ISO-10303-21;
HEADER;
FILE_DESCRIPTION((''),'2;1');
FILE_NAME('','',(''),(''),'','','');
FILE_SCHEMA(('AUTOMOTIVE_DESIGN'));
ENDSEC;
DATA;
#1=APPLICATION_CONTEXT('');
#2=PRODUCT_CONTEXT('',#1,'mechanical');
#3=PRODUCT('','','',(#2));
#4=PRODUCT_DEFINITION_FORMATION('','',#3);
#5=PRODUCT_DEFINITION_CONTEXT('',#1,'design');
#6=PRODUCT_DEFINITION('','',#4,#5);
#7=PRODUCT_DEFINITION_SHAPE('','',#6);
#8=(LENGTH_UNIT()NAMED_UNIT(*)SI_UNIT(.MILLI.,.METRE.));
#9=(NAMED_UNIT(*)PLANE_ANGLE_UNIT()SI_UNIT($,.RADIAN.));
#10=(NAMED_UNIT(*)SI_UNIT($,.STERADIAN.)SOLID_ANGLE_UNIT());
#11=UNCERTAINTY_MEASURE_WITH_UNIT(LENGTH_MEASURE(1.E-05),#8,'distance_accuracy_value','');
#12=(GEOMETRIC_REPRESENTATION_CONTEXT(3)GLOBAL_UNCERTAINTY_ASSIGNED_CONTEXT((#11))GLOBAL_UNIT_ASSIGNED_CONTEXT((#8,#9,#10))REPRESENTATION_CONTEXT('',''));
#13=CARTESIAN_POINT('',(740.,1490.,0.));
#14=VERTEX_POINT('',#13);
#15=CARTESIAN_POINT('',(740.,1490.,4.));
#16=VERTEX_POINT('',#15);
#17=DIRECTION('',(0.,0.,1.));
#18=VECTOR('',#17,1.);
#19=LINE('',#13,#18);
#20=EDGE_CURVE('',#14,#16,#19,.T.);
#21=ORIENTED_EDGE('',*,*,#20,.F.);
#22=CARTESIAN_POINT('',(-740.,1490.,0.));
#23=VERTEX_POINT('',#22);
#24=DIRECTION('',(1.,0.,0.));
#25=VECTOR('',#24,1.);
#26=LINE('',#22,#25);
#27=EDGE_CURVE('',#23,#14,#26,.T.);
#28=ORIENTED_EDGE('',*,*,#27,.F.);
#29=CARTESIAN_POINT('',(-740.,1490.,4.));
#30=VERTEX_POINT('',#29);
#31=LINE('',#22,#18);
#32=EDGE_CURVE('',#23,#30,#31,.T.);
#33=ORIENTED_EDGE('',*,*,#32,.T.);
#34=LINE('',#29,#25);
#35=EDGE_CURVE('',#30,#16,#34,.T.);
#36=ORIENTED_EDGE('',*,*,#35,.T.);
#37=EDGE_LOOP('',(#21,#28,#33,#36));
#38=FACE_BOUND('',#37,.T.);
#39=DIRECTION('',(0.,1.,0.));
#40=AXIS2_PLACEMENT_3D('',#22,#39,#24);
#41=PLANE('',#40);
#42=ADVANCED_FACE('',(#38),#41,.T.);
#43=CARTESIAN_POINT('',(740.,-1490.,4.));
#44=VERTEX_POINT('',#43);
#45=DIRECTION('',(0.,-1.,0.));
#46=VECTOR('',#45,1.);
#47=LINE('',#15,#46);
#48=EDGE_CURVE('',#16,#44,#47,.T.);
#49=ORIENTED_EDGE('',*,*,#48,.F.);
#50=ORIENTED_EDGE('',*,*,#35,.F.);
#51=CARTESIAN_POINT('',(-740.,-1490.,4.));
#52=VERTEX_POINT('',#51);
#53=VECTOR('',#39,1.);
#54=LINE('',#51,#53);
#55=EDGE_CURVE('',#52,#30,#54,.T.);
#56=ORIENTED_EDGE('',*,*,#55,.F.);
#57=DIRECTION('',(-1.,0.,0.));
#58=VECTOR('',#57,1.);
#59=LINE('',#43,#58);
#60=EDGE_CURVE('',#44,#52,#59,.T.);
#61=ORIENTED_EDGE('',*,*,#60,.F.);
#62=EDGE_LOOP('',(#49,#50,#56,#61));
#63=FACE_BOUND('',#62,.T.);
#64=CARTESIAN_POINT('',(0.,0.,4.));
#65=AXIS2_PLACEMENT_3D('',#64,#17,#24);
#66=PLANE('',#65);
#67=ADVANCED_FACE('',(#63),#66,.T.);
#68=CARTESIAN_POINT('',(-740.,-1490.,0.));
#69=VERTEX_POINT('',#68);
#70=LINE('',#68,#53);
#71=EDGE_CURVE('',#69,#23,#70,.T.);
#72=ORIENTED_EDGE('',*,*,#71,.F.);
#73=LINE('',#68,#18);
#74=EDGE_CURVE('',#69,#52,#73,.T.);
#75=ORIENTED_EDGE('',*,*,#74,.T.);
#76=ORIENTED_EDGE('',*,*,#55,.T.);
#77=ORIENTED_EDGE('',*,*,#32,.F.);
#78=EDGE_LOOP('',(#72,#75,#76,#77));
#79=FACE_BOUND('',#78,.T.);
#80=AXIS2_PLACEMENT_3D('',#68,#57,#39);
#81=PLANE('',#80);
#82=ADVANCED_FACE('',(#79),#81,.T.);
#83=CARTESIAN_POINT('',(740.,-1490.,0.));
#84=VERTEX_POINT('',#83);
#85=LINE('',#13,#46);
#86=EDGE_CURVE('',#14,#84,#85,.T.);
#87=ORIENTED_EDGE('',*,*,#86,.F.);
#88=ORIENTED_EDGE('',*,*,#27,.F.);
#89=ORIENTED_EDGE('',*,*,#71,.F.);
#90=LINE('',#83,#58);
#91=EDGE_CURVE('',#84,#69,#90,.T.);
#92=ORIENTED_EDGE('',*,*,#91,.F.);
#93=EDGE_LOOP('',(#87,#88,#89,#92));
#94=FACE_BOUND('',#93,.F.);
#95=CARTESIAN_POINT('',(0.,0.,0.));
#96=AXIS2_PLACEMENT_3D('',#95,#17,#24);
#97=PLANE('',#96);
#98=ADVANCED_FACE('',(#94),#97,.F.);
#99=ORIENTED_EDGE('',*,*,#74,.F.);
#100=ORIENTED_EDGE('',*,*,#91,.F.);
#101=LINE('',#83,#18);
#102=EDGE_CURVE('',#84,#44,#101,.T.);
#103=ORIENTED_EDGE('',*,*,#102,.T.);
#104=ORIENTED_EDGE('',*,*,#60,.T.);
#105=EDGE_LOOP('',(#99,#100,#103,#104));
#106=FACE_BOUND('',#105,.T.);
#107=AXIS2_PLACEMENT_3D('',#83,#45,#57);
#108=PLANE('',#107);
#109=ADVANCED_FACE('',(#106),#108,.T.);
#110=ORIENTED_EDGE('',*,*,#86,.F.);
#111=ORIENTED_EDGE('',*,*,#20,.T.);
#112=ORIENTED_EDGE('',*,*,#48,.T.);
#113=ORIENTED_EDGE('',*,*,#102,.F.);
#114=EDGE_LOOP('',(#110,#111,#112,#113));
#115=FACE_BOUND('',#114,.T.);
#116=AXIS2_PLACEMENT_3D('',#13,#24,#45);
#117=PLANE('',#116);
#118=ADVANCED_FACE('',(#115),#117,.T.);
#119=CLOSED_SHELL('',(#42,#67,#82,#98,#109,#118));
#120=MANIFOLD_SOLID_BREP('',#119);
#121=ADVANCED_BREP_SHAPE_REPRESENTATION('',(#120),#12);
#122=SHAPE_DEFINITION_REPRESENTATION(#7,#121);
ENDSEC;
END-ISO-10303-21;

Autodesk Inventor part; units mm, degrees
ref_plane "YZ Plane" through (0, 0, 0) normal (1, 0, 0) x (0, 1, 0)
ref_plane "XZ Plane" through (0, 0, 0) normal (0, 1, 0) x (-1, 0, 0)
ref_plane "XY Plane" through (0, 0, 0) normal (0, 0, 1) x (1, 0, 0)
sketch "Sketch1" plane through (0, 0, 0) normal (0, 0, 1) x (1, 0, 0)
  line L0 (740, -1490) -> (-740, -1490)
  line L1 (-740, -1490) -> (-740, 1490)
  line L2 (-740, 1490) -> (740, 1490)
  line L3 (740, 1490) -> (740, -1490)
  line L4 (740, -1490) -> (-740, 1490) construction
  line L5 (-740, -1490) -> (740, 1490) construction
  point P0 (0, 0)
  dimension "d0" = 1480
  dimension "d1" = 2980
extrude "Plate1" add sketch "Sketch1" along normal blind 4
equation "\"d0\" = Лист_ширина"
equation "\"d2\" = Thickness"
equation "\"BendRadius\" = Thickness"
equation "\"BendReliefWidth\" = Thickness"
equation "\"BendReliefDepth\" = 0.5 * Thickness"
equation "\"CornerReliefSize\" = 4 * Thickness"
equation "\"MinimumRemnant\" = 2 * Thickness"
equation "\"TransitionRadius\" = BendRadius"
equation "\"JacobiRadiusSize\" = BendRadius"
equation "\"GapSize\" = Thickness"
equation "\"Лист_ширина\" = 1480"
equation "\"Thickness\" = 4"
properties part number "CHange 1018 GBK shield 2." material "Steel"
